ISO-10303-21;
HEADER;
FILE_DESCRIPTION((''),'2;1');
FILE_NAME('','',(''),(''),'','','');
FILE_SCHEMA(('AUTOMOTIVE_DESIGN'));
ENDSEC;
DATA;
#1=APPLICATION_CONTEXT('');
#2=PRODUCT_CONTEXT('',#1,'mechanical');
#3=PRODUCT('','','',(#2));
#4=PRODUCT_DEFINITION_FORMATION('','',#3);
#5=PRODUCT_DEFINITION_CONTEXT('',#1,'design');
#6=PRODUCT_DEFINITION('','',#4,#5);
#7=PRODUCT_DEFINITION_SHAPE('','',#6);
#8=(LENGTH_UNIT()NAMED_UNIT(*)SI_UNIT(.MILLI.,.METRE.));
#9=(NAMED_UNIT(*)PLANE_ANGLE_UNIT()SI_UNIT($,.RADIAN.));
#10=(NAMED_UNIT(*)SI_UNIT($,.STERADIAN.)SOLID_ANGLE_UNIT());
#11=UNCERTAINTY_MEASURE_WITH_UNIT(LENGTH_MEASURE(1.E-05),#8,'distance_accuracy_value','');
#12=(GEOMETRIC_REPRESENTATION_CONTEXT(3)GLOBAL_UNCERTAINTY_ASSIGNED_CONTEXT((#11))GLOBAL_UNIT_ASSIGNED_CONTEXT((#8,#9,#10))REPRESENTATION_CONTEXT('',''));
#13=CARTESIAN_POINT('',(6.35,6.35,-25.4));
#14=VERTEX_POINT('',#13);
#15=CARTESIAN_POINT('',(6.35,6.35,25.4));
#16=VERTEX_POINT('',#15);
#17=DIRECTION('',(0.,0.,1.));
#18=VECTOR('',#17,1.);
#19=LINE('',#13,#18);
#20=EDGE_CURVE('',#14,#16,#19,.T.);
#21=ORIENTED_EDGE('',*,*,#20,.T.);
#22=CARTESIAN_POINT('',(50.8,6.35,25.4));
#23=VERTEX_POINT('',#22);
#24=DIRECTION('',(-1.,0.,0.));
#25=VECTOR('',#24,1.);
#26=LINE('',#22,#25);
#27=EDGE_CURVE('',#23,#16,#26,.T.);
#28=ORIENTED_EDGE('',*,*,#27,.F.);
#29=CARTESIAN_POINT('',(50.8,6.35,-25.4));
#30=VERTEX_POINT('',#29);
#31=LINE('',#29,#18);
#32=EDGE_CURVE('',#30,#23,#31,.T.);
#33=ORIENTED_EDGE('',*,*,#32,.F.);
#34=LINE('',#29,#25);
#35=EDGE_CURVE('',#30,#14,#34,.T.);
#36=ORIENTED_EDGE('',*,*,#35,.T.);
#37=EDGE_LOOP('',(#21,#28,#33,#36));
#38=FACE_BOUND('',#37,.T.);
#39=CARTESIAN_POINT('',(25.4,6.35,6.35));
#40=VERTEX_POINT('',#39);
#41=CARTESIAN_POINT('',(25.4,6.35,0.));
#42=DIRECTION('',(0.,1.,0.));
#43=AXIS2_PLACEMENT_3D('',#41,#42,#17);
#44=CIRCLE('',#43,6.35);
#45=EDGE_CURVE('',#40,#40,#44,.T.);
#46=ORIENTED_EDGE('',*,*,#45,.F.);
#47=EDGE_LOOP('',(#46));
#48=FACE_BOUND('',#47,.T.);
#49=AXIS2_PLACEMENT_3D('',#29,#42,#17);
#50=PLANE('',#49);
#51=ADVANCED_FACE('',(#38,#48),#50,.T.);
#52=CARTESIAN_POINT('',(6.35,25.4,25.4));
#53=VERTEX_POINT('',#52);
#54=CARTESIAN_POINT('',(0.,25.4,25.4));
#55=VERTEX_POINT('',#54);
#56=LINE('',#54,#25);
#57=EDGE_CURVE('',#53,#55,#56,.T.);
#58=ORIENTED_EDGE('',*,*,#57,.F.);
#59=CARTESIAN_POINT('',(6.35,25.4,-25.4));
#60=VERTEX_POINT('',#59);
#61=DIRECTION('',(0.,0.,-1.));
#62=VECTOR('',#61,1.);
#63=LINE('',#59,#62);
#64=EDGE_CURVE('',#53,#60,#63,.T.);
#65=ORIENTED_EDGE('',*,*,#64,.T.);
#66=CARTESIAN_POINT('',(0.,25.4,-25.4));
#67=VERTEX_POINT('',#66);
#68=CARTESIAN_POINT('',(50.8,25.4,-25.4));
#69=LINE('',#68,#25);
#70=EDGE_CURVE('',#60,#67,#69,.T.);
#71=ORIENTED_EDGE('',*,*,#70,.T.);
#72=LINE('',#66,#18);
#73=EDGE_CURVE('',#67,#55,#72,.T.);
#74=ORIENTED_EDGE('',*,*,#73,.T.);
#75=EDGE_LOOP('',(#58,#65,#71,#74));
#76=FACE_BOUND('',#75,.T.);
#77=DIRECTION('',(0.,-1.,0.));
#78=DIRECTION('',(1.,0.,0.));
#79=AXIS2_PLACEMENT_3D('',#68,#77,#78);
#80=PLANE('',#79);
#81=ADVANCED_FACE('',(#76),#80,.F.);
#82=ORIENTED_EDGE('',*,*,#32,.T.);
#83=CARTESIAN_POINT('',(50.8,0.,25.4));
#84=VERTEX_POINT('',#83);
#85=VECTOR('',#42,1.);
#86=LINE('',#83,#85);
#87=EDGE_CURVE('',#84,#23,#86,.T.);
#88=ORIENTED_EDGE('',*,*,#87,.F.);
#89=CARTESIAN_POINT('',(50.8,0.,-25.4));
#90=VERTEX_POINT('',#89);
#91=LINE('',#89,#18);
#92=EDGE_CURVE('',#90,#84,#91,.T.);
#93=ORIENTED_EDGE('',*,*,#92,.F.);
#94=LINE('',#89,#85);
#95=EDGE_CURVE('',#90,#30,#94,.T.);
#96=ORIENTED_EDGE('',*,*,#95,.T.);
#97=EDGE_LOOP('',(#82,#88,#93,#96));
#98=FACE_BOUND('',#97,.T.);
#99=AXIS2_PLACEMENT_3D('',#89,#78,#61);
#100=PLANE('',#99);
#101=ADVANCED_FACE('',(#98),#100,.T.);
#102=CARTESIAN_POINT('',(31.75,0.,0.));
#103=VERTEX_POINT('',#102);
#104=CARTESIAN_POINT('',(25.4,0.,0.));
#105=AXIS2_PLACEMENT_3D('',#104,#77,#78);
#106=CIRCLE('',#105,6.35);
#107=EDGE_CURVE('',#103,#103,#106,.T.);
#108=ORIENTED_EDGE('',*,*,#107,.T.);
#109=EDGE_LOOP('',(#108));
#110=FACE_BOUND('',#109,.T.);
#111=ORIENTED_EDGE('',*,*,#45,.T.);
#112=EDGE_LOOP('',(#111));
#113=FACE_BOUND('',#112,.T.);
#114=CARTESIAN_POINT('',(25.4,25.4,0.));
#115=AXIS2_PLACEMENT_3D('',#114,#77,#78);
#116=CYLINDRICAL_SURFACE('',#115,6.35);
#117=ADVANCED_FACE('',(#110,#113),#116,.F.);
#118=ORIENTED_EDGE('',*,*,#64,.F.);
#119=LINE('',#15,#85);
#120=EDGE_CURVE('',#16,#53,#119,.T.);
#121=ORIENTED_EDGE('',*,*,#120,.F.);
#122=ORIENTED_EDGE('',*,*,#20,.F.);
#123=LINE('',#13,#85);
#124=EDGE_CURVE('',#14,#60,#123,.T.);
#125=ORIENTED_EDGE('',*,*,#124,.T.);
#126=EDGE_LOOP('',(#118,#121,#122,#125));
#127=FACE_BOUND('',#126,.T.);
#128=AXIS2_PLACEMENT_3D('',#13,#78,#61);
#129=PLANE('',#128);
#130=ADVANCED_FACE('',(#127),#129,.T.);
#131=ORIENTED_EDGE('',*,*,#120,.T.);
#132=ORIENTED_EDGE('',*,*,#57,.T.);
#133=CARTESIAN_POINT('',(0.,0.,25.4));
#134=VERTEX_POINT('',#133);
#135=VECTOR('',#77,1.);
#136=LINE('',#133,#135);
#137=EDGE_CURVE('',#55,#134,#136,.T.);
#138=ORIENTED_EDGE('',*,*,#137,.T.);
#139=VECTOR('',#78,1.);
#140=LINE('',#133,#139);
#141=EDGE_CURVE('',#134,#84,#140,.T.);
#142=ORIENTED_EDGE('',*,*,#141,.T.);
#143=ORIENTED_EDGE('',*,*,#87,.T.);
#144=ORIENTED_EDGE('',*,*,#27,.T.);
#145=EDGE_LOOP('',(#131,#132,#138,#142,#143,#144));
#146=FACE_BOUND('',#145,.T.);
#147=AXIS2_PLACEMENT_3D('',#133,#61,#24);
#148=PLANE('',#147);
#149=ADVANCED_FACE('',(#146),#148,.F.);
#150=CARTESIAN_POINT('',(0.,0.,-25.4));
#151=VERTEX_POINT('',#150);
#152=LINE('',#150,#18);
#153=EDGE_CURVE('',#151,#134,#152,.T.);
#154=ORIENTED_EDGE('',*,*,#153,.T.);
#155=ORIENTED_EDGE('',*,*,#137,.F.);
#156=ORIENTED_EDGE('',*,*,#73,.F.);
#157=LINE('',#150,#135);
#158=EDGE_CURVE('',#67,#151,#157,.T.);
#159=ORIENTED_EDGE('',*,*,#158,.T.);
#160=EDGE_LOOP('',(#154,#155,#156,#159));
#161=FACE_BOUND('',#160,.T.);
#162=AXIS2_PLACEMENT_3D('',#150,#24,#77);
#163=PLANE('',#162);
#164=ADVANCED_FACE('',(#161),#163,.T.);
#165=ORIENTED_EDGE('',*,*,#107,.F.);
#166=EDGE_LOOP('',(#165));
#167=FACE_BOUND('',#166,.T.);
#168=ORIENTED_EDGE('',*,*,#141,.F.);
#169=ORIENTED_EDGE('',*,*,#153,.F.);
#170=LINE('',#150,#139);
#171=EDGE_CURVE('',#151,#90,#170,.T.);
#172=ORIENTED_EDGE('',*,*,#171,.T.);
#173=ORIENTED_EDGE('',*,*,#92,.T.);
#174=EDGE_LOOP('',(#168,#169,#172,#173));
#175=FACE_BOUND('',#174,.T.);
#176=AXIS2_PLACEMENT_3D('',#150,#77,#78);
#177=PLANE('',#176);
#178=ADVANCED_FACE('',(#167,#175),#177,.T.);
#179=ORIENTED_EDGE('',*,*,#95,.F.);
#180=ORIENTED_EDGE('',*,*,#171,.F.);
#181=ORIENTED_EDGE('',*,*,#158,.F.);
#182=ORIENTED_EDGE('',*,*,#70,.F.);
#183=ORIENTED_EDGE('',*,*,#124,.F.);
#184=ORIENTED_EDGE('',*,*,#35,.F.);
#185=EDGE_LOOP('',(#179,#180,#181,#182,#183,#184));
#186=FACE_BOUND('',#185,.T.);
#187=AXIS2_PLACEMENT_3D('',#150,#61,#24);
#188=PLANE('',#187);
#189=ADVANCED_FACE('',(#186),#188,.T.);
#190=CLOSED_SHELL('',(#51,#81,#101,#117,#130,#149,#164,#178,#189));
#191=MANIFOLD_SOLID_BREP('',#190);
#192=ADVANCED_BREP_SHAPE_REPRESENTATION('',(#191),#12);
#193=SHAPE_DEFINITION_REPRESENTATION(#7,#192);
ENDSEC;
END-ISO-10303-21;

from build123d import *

# Parameters (mm, degrees)
BOSS_EXTRUDE1_DEPTH      = 25.4
BOSS_EXTRUDE1_DEPTH_BACK = 25.4
SKETCH2_W                = 50.8
SKETCH2_H                = 25.4
CUT_EXTRUDE1_DEPTH       = 51.8
SKETCH3_R                = 6.35
CUT_EXTRUDE2_DEPTH       = 1
CUT_EXTRUDE2_DEPTH_BACK  = 26.4


with BuildPart() as part:
    # Sketch1 → Boss-Extrude1 (new body, two sides)
    with BuildSketch(Plane.XY) as boss_extrude1_sk:
        Polygon((0, 0), (0, 50.8), (6.35, 50.8), (6.35, 6.35), (50.8, 6.35), (50.8, 0), align=None)
    extrude(amount=BOSS_EXTRUDE1_DEPTH)
    extrude(boss_extrude1_sk.sketch, amount=-BOSS_EXTRUDE1_DEPTH_BACK)

    # Sketch2 → Cut-Extrude1 (cut, through all)
    with BuildSketch(Plane.ZY):
        with Locations((0, 38.1)):
            Rectangle(SKETCH2_W, SKETCH2_H)
    extrude(amount=-CUT_EXTRUDE1_DEPTH, mode=Mode.SUBTRACT)

    # Sketch3 → Cut-Extrude2 (cut, two sides)
    with BuildSketch(Plane.XZ) as cut_extrude2_sk:
        with Locations((25.4, 0)):
            Circle(SKETCH3_R)
    extrude(amount=CUT_EXTRUDE2_DEPTH, mode=Mode.SUBTRACT)
    extrude(cut_extrude2_sk.sketch, amount=-CUT_EXTRUDE2_DEPTH_BACK, mode=Mode.SUBTRACT)


solid = part.part
